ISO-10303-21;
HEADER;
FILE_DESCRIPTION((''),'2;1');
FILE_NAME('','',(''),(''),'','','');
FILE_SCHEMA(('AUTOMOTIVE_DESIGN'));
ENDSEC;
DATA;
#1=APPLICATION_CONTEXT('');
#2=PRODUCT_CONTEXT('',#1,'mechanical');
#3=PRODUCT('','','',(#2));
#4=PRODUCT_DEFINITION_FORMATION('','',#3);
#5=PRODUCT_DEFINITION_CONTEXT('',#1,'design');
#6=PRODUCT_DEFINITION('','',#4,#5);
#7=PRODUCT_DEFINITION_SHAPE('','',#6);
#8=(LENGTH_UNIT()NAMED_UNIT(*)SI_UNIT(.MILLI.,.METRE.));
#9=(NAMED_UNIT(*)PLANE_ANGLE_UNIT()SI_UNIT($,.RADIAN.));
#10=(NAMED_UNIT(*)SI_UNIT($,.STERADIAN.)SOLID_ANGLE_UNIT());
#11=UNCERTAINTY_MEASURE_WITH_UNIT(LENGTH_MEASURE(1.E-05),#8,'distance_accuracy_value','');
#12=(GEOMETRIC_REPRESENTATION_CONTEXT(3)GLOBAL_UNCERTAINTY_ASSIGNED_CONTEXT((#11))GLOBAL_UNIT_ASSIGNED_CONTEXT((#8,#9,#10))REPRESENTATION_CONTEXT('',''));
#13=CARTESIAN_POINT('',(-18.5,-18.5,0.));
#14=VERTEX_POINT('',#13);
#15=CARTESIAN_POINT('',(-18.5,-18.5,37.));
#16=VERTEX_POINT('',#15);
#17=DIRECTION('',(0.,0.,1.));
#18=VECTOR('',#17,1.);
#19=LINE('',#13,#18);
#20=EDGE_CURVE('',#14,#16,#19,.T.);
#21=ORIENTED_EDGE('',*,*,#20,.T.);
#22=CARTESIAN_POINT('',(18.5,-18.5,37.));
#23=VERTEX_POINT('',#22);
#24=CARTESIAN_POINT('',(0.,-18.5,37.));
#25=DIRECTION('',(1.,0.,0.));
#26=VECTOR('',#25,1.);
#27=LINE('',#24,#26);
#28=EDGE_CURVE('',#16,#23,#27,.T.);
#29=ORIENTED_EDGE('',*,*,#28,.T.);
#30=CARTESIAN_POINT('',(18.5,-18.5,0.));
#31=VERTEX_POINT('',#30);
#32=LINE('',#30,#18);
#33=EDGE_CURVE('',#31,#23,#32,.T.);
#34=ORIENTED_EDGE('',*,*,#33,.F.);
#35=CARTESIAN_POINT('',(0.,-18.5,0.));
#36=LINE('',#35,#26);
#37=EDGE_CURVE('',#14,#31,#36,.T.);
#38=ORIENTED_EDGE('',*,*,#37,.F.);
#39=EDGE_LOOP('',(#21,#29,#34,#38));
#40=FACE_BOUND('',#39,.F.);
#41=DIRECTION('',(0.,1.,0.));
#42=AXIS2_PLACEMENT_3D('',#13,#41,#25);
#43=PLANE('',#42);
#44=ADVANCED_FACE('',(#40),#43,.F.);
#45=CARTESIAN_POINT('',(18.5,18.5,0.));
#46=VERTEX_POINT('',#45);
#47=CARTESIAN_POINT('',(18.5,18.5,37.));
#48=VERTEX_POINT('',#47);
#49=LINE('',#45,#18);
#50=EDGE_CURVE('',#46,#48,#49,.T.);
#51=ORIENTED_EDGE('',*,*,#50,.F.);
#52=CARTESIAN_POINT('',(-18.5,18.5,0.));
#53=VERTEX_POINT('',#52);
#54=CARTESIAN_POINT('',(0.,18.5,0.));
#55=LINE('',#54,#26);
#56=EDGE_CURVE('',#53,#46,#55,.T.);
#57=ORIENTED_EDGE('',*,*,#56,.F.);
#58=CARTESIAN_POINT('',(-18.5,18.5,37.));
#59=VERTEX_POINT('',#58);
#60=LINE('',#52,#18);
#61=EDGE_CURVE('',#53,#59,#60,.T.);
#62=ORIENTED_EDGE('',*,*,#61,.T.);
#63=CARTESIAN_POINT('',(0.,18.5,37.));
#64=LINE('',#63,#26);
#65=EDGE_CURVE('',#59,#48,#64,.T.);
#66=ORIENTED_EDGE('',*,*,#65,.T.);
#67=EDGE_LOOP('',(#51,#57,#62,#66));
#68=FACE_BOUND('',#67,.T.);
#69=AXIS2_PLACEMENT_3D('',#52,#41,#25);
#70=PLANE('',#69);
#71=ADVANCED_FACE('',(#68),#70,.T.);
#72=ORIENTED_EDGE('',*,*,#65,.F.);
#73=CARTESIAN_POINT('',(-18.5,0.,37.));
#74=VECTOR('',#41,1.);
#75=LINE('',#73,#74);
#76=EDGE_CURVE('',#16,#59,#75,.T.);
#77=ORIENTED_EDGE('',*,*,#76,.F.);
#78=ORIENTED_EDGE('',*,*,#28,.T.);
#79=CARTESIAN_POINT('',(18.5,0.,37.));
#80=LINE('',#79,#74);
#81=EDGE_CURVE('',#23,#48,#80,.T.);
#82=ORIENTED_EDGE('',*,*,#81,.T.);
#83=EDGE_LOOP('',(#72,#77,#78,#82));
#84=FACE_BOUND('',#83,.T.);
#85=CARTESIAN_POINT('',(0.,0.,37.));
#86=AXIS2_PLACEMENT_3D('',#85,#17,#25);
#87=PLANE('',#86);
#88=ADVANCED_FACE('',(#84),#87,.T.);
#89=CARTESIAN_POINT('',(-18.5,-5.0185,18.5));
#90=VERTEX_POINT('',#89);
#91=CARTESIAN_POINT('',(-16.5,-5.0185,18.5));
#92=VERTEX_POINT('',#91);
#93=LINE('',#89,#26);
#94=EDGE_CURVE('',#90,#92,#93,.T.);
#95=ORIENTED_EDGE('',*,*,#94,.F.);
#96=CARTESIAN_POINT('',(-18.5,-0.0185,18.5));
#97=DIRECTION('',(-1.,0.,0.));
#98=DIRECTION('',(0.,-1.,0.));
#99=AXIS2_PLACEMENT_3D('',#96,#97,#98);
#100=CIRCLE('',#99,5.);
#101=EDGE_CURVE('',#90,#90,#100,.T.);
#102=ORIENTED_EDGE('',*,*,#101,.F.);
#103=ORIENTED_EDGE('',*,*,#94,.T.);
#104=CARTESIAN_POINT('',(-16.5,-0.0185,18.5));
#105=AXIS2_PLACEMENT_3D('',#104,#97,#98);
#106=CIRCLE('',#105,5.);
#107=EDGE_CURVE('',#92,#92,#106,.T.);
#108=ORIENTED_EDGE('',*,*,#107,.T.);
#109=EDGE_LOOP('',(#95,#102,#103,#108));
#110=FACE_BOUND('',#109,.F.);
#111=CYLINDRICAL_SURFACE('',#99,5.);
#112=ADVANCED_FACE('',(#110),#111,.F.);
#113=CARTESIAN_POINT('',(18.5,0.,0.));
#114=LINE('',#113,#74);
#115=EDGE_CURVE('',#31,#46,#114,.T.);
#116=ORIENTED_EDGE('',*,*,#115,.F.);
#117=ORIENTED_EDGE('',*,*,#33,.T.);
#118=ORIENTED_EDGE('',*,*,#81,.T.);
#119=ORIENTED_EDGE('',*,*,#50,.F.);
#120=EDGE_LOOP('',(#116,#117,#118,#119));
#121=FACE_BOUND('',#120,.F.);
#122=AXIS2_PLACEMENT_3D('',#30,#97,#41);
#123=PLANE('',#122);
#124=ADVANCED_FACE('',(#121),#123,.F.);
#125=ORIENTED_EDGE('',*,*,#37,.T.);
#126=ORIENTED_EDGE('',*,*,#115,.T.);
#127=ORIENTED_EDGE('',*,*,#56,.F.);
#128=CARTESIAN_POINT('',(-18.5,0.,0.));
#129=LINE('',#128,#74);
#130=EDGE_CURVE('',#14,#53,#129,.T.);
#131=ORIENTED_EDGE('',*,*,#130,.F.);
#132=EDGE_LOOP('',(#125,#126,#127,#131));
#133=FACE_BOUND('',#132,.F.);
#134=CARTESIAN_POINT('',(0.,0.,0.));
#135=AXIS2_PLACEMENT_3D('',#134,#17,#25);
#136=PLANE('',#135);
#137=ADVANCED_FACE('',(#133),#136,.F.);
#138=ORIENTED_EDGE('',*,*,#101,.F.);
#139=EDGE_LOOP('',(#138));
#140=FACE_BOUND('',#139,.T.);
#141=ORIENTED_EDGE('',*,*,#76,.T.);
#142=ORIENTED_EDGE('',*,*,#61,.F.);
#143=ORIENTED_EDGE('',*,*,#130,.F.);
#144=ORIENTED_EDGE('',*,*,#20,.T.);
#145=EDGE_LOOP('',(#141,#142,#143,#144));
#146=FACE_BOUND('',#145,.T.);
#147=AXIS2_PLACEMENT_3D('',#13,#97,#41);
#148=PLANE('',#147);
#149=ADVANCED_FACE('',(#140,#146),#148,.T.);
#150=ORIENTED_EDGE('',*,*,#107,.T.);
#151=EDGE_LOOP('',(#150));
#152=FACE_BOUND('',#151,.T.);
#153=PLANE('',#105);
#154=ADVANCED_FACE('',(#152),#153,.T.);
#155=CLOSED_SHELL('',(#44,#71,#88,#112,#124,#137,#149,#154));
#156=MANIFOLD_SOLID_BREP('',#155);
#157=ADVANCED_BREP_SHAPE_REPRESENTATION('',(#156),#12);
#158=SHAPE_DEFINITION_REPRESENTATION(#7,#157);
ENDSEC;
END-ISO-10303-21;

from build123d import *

# Parameters (mm, degrees)
SKETCH_W     = 37
SKETCH_H     = 37
PAD_DEPTH    = 37
SKETCH001_R  = 5
POCKET_DEPTH = 2


with BuildPart() as part:
    # Sketch → Pad (new body)
    with BuildSketch(Plane.XY):
        Rectangle(SKETCH_W, SKETCH_H)
    extrude(amount=PAD_DEPTH)

    # Sketch001 → Pocket (cut)
    with BuildSketch(Plane(origin=(-18.5, 0, 0), x_dir=(0, -1, 0), z_dir=(-1, 0, 0))):
        with Locations((0.0185, 18.5)):
            Circle(SKETCH001_R)
    extrude(amount=-POCKET_DEPTH, mode=Mode.SUBTRACT)


solid = part.part
